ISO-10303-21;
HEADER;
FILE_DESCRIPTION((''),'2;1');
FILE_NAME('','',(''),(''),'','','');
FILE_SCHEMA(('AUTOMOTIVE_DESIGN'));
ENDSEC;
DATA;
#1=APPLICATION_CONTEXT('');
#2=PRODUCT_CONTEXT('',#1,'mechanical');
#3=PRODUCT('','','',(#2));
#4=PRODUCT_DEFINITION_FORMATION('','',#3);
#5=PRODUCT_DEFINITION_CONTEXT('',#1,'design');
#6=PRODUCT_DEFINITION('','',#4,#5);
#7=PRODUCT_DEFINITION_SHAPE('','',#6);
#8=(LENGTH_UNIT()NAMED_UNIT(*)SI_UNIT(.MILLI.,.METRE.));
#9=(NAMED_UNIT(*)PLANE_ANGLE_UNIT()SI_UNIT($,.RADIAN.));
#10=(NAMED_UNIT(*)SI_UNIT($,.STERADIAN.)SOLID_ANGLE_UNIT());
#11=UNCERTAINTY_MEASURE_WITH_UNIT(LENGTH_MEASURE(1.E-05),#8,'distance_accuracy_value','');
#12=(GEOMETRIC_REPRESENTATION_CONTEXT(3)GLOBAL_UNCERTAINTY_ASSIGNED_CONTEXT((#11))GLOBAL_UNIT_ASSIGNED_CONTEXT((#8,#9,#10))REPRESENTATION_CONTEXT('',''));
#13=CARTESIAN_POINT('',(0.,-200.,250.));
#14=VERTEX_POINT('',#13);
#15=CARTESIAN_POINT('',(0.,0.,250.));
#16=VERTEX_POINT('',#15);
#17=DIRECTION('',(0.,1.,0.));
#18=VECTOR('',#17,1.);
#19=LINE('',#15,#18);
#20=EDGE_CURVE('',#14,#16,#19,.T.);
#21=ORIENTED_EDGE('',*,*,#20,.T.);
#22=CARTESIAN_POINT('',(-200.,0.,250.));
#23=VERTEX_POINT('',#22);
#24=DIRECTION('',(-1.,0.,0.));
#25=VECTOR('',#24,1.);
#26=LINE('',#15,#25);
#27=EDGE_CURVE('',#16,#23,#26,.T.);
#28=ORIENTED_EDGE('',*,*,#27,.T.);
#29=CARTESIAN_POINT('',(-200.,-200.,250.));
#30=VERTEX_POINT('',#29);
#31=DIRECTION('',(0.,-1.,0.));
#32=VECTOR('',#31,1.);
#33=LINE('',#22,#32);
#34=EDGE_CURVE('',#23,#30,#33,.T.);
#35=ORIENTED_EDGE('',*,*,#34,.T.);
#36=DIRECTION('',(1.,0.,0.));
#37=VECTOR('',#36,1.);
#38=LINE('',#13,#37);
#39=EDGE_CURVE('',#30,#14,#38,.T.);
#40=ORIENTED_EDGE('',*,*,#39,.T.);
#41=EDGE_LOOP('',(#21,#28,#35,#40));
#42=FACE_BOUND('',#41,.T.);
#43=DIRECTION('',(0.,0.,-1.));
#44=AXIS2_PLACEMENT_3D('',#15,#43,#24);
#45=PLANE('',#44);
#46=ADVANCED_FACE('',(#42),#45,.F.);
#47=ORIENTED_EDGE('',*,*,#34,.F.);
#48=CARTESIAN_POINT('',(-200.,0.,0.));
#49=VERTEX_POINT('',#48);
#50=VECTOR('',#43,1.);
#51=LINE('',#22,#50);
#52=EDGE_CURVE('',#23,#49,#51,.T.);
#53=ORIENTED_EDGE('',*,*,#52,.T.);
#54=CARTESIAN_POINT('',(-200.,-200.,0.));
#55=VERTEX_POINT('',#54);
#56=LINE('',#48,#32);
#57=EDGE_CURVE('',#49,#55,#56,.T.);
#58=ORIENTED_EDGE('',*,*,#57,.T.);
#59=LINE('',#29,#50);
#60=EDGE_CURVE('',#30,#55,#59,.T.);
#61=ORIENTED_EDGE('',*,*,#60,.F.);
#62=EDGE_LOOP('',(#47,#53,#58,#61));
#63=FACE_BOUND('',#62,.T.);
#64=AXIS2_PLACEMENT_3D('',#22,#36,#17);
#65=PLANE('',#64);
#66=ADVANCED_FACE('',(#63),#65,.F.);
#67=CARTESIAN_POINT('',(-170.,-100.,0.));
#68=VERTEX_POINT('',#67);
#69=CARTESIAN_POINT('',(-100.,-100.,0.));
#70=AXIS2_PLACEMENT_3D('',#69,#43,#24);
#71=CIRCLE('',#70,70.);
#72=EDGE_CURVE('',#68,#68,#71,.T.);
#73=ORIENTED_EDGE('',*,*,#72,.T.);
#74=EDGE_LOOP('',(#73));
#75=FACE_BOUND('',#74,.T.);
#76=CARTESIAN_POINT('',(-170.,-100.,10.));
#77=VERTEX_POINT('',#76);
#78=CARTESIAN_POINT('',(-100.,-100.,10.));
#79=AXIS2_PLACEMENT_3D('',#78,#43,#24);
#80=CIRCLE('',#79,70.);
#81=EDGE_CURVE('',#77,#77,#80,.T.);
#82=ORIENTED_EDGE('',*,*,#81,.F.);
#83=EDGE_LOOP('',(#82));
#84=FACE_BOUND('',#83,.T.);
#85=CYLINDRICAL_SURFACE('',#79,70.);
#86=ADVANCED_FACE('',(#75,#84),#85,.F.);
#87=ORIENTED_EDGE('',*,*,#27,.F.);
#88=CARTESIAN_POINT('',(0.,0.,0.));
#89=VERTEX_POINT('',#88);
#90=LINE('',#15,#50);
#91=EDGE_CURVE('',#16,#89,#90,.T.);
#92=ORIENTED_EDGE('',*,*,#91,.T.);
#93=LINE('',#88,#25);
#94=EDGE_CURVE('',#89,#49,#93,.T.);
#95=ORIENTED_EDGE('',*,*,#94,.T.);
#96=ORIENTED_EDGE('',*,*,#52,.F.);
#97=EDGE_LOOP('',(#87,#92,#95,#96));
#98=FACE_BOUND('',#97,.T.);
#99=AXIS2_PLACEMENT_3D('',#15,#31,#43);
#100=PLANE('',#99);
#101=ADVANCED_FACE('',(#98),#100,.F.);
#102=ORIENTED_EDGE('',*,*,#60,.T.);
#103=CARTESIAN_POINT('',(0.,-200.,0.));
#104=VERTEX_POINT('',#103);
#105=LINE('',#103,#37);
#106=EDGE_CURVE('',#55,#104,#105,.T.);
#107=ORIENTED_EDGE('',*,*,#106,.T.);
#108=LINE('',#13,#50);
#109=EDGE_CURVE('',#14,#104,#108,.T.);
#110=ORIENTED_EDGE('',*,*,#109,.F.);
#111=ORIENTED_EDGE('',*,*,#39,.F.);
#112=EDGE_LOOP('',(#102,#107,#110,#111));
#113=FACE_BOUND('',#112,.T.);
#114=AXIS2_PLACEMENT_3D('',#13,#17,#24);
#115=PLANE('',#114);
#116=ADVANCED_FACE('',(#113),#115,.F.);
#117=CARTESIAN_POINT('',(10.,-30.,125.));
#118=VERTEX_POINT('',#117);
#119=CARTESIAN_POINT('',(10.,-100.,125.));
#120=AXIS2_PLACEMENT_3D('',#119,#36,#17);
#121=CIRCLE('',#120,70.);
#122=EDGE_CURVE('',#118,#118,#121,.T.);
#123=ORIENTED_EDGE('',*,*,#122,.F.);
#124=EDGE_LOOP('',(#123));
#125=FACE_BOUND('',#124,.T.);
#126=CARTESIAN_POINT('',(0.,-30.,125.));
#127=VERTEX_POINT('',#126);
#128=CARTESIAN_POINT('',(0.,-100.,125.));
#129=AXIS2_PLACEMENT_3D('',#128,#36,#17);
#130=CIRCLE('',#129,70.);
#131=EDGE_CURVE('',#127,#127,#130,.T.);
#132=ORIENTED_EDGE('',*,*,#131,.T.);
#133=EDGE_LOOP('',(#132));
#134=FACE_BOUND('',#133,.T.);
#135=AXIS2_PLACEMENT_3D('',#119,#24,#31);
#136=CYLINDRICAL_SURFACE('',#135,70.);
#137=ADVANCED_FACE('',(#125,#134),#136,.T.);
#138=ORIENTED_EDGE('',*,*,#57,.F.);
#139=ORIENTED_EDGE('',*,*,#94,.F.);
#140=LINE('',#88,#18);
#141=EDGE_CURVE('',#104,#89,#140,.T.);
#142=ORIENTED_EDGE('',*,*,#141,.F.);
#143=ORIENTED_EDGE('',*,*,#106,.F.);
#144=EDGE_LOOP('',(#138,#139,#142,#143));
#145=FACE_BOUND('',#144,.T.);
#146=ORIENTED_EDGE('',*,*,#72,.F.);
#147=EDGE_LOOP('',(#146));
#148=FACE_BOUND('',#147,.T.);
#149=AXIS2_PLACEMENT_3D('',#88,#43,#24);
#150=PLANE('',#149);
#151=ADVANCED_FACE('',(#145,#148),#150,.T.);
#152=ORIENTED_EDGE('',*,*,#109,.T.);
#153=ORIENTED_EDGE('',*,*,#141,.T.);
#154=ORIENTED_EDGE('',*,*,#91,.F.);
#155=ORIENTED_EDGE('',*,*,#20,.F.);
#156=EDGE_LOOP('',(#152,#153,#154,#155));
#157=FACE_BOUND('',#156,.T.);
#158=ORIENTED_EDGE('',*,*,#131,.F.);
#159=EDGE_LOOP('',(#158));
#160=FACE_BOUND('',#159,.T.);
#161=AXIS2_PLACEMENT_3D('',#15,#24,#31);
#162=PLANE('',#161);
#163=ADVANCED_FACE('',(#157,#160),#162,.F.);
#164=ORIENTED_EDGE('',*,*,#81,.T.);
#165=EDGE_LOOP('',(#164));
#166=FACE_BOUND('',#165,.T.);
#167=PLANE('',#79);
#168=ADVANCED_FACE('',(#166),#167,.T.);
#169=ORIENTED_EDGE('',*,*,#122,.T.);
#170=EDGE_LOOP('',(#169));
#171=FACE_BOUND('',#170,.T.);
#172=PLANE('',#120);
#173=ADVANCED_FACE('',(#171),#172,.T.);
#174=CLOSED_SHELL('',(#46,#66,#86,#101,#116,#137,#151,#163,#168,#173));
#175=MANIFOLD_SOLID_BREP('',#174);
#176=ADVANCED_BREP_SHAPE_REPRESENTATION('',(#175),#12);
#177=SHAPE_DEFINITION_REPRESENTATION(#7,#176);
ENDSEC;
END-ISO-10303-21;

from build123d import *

# Parameters (mm, degrees)
ESQUISSE1_W             = 200
ESQUISSE1_H             = 200
BOSS_EXTRU_1_DEPTH      = 250
ESQUISSE2_R             = 70
ENL_V_MAT_EXTRU_1_DEPTH = 10
ESQUISSE3_R             = 70
BOSS_EXTRU_2_DEPTH      = 10


with BuildPart() as part:
    # Esquisse1 → Boss.-Extru.1 (new body)
    with BuildSketch(Plane.XY):
        with Locations((-100, -100)):
            Rectangle(ESQUISSE1_W, ESQUISSE1_H)
    extrude(amount=BOSS_EXTRU_1_DEPTH)

    # Esquisse2 → Enlèv. mat.-Extru.1 (cut)
    with BuildSketch(Plane(origin=(0, 0, 0), x_dir=(-1, 0, 0), z_dir=(0, 0, -1))):
        with Locations((100, -100)):
            Circle(ESQUISSE2_R)
    extrude(amount=-ENL_V_MAT_EXTRU_1_DEPTH, mode=Mode.SUBTRACT)

    # Esquisse3 → Boss.-Extru.2 (add)
    with BuildSketch(Plane(origin=(0, 0, 0), x_dir=(0, 0, -1), z_dir=(1, 0, 0))):
        with Locations(Location((-125, -100, 0), (0, 0, 90))):
            Circle(ESQUISSE3_R)
    extrude(amount=BOSS_EXTRU_2_DEPTH)


solid = part.part
